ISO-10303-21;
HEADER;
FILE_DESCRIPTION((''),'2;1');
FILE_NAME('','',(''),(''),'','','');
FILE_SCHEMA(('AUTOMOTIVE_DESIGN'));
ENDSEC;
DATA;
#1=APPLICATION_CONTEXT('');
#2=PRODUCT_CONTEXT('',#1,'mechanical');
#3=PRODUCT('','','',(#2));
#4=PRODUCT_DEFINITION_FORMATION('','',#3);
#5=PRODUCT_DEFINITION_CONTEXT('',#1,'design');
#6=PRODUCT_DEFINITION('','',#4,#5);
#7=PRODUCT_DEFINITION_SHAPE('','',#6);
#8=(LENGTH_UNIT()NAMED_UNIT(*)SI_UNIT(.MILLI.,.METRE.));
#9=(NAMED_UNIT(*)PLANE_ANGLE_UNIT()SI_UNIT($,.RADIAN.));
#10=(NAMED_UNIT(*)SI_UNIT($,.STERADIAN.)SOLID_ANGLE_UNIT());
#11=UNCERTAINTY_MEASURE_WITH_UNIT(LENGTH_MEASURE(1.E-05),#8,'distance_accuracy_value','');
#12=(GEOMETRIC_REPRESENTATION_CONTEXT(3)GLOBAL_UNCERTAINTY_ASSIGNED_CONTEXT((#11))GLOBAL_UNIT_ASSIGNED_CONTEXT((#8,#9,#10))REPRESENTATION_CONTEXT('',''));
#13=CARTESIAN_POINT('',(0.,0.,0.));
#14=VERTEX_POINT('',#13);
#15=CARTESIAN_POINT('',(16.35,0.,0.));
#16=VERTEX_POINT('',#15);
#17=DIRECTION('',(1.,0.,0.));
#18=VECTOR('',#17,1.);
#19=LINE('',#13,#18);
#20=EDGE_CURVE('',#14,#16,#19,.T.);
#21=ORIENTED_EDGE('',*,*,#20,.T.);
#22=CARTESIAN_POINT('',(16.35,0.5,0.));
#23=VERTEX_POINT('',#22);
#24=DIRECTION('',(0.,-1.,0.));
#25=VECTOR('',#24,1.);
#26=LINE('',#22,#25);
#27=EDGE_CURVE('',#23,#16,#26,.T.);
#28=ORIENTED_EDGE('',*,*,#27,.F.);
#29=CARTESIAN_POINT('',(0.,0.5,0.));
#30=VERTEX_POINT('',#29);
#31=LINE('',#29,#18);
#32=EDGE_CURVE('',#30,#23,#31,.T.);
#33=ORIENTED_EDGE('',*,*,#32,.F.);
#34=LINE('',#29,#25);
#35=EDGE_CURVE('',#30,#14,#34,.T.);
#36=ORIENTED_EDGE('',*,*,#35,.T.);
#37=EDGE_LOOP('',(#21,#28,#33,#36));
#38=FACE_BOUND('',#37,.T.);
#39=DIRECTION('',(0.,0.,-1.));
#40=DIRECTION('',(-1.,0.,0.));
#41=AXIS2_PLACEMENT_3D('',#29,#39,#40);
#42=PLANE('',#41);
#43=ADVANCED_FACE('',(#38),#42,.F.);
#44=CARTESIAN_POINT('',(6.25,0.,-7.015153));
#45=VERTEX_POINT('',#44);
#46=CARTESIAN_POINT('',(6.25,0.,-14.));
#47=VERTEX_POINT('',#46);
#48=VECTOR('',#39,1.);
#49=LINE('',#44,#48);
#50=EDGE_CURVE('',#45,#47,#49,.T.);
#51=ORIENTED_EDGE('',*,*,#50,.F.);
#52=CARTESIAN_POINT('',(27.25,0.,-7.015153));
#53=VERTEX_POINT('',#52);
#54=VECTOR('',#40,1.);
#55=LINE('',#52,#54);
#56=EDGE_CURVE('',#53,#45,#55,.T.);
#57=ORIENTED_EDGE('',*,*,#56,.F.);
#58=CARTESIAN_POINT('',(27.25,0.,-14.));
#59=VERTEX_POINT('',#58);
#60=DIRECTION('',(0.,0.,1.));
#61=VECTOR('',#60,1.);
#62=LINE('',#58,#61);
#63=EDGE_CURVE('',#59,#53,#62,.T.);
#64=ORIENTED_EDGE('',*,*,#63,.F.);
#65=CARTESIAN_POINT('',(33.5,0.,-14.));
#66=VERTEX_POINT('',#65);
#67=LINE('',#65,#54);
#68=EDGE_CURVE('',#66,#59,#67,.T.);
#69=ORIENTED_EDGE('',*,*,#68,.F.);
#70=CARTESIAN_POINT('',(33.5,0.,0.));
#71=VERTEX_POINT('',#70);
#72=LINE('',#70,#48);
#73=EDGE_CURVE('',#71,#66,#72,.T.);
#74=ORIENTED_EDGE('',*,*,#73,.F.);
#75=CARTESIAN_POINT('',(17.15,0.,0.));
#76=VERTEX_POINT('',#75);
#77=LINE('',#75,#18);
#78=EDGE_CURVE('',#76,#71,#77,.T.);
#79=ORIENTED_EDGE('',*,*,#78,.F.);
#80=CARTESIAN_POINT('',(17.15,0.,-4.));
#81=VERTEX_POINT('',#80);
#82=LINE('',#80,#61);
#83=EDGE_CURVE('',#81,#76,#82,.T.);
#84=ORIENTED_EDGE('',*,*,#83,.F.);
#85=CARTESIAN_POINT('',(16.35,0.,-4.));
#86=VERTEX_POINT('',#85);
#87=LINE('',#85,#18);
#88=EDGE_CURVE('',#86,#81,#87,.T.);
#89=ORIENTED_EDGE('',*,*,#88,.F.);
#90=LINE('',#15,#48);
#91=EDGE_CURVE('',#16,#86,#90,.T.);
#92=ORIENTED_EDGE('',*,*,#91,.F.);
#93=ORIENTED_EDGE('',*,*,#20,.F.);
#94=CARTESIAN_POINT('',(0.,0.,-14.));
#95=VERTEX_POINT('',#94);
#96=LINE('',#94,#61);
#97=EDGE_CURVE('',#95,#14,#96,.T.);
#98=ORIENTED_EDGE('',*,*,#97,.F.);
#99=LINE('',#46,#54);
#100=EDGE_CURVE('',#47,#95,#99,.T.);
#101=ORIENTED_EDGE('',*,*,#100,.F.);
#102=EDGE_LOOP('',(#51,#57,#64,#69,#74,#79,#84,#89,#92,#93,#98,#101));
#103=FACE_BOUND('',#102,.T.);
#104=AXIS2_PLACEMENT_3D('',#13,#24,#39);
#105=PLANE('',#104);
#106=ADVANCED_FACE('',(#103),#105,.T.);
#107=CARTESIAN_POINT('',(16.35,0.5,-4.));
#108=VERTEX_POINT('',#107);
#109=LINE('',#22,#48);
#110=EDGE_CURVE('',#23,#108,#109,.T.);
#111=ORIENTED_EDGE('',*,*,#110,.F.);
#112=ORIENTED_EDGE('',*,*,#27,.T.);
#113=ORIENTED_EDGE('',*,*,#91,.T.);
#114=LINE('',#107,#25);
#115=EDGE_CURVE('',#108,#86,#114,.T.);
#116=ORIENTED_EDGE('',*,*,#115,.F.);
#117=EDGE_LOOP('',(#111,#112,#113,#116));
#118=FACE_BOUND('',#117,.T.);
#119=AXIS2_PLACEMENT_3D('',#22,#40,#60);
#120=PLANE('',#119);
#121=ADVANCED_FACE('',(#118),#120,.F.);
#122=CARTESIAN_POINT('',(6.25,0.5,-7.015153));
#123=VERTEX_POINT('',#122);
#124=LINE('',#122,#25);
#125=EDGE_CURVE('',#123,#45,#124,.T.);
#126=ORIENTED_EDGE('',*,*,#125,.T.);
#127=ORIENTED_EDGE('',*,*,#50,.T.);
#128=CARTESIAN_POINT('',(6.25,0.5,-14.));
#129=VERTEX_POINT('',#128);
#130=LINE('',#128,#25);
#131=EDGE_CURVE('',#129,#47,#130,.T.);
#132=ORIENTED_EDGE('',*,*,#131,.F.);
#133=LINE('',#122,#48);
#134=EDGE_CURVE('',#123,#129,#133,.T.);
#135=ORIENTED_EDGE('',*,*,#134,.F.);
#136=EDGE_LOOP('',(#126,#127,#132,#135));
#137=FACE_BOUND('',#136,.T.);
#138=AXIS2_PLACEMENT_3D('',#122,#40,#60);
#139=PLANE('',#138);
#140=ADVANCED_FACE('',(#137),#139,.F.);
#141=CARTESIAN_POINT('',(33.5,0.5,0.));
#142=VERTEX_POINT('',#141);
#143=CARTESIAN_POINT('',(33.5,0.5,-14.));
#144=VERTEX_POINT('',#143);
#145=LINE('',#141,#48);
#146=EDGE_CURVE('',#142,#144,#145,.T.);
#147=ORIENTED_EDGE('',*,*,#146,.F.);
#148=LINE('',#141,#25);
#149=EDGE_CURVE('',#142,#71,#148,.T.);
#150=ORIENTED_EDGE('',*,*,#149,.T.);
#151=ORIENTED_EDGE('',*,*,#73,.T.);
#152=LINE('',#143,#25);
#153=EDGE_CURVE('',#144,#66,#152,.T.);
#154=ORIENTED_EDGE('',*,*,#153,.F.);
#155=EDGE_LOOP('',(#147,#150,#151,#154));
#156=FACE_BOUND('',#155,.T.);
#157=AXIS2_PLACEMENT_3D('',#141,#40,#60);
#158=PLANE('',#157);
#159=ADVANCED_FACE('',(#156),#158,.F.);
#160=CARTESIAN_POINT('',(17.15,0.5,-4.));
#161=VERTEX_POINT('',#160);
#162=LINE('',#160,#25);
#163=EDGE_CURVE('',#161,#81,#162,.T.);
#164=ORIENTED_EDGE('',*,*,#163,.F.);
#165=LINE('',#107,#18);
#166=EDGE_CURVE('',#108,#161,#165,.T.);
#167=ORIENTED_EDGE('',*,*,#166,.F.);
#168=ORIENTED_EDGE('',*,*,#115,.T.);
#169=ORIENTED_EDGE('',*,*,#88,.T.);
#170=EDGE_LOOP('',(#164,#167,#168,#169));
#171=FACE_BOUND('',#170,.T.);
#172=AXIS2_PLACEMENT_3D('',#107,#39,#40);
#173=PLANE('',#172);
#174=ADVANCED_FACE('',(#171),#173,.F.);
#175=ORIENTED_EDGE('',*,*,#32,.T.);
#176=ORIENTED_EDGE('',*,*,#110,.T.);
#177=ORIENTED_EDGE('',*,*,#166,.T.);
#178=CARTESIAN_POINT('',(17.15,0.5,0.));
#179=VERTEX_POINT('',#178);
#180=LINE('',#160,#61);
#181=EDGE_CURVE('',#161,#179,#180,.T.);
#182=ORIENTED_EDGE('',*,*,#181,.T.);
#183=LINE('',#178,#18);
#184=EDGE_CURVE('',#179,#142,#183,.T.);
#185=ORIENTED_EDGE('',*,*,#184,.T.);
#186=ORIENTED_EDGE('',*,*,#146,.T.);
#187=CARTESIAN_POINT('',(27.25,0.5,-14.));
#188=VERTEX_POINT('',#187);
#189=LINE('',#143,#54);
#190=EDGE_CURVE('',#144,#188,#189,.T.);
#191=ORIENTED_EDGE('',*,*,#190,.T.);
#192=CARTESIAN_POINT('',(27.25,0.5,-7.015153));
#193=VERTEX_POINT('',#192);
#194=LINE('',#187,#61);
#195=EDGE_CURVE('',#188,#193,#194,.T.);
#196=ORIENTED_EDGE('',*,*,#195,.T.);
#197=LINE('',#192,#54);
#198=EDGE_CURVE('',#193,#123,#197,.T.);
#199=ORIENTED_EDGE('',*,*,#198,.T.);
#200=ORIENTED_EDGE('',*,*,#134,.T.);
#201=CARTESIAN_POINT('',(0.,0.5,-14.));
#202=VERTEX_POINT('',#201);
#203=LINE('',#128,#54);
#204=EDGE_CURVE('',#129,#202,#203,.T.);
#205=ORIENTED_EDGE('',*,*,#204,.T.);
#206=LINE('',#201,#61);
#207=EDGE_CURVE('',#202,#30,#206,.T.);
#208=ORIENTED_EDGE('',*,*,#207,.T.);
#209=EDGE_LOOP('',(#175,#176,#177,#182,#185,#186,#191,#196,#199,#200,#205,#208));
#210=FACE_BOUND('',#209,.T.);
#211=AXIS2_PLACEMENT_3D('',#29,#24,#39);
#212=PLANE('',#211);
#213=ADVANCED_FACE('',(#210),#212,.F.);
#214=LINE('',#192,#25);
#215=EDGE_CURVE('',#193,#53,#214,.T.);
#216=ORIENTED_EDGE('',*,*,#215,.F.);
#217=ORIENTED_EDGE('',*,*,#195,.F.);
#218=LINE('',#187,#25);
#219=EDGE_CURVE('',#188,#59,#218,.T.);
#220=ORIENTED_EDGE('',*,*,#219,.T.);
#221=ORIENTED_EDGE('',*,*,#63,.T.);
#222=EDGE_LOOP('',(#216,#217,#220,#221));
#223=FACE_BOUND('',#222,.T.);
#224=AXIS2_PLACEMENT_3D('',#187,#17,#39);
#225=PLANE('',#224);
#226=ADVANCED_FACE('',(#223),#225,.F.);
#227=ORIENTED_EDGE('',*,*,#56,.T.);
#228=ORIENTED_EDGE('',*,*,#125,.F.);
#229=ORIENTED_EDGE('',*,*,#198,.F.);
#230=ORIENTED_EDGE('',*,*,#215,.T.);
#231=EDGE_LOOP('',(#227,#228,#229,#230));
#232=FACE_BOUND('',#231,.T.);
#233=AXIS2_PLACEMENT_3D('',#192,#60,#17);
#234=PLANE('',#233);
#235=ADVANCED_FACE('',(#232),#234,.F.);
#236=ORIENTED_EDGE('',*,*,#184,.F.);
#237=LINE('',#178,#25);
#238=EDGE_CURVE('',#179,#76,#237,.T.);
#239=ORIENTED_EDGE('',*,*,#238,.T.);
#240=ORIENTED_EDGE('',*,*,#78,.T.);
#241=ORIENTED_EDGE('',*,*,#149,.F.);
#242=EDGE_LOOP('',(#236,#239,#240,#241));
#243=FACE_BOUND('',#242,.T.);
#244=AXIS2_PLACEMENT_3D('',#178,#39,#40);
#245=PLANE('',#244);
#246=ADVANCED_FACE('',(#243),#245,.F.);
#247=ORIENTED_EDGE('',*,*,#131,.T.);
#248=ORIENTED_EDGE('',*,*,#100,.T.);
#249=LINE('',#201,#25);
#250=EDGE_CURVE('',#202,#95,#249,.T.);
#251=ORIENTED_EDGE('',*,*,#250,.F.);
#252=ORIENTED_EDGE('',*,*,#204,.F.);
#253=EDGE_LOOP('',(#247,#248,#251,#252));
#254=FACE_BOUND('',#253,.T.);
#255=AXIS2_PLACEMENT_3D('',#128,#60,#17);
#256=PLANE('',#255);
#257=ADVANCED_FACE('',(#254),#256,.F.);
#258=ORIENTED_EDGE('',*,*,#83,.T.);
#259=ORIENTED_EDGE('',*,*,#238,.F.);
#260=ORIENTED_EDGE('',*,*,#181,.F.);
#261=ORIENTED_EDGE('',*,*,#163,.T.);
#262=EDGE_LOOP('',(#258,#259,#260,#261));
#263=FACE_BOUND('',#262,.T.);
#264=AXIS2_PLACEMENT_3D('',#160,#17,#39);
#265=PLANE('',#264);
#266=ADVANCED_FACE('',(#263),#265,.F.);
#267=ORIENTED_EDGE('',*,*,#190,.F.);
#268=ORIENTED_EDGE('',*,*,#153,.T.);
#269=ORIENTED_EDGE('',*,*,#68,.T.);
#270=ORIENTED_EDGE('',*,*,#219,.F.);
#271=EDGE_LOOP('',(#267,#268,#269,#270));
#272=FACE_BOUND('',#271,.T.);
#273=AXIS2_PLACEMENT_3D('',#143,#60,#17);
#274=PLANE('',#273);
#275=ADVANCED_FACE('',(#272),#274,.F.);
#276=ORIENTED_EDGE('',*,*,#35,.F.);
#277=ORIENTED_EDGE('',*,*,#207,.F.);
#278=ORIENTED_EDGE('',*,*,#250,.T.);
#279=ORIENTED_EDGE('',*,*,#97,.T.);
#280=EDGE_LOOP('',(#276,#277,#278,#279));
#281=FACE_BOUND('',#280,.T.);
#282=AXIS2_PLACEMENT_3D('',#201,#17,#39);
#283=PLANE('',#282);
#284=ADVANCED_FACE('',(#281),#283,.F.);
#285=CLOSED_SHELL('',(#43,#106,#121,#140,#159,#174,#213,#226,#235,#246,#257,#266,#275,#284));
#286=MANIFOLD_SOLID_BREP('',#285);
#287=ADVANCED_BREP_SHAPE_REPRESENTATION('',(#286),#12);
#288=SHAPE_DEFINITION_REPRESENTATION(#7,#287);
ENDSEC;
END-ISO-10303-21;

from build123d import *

# Parameters (mm, degrees)
SALIENTE_EXTRUIR1_DEPTH = 0.5


with BuildPart() as part:
    # Croquis1 → Saliente-Extruir1 (new body)
    with BuildSketch(Plane(origin=(0, 0, 0), x_dir=(1, 0, 0), z_dir=(0, 1, 0))):
        Polygon((0, 0), (16.35, 0), (16.35, 4), (17.15, 4), (17.15, 0), (33.5, 0), (33.5, 14), (27.25, 14), (27.25, 7.015152795), (6.25, 7.015152795), (6.25, 14), (0, 14), align=None)
    extrude(amount=SALIENTE_EXTRUIR1_DEPTH)


solid = part.part
